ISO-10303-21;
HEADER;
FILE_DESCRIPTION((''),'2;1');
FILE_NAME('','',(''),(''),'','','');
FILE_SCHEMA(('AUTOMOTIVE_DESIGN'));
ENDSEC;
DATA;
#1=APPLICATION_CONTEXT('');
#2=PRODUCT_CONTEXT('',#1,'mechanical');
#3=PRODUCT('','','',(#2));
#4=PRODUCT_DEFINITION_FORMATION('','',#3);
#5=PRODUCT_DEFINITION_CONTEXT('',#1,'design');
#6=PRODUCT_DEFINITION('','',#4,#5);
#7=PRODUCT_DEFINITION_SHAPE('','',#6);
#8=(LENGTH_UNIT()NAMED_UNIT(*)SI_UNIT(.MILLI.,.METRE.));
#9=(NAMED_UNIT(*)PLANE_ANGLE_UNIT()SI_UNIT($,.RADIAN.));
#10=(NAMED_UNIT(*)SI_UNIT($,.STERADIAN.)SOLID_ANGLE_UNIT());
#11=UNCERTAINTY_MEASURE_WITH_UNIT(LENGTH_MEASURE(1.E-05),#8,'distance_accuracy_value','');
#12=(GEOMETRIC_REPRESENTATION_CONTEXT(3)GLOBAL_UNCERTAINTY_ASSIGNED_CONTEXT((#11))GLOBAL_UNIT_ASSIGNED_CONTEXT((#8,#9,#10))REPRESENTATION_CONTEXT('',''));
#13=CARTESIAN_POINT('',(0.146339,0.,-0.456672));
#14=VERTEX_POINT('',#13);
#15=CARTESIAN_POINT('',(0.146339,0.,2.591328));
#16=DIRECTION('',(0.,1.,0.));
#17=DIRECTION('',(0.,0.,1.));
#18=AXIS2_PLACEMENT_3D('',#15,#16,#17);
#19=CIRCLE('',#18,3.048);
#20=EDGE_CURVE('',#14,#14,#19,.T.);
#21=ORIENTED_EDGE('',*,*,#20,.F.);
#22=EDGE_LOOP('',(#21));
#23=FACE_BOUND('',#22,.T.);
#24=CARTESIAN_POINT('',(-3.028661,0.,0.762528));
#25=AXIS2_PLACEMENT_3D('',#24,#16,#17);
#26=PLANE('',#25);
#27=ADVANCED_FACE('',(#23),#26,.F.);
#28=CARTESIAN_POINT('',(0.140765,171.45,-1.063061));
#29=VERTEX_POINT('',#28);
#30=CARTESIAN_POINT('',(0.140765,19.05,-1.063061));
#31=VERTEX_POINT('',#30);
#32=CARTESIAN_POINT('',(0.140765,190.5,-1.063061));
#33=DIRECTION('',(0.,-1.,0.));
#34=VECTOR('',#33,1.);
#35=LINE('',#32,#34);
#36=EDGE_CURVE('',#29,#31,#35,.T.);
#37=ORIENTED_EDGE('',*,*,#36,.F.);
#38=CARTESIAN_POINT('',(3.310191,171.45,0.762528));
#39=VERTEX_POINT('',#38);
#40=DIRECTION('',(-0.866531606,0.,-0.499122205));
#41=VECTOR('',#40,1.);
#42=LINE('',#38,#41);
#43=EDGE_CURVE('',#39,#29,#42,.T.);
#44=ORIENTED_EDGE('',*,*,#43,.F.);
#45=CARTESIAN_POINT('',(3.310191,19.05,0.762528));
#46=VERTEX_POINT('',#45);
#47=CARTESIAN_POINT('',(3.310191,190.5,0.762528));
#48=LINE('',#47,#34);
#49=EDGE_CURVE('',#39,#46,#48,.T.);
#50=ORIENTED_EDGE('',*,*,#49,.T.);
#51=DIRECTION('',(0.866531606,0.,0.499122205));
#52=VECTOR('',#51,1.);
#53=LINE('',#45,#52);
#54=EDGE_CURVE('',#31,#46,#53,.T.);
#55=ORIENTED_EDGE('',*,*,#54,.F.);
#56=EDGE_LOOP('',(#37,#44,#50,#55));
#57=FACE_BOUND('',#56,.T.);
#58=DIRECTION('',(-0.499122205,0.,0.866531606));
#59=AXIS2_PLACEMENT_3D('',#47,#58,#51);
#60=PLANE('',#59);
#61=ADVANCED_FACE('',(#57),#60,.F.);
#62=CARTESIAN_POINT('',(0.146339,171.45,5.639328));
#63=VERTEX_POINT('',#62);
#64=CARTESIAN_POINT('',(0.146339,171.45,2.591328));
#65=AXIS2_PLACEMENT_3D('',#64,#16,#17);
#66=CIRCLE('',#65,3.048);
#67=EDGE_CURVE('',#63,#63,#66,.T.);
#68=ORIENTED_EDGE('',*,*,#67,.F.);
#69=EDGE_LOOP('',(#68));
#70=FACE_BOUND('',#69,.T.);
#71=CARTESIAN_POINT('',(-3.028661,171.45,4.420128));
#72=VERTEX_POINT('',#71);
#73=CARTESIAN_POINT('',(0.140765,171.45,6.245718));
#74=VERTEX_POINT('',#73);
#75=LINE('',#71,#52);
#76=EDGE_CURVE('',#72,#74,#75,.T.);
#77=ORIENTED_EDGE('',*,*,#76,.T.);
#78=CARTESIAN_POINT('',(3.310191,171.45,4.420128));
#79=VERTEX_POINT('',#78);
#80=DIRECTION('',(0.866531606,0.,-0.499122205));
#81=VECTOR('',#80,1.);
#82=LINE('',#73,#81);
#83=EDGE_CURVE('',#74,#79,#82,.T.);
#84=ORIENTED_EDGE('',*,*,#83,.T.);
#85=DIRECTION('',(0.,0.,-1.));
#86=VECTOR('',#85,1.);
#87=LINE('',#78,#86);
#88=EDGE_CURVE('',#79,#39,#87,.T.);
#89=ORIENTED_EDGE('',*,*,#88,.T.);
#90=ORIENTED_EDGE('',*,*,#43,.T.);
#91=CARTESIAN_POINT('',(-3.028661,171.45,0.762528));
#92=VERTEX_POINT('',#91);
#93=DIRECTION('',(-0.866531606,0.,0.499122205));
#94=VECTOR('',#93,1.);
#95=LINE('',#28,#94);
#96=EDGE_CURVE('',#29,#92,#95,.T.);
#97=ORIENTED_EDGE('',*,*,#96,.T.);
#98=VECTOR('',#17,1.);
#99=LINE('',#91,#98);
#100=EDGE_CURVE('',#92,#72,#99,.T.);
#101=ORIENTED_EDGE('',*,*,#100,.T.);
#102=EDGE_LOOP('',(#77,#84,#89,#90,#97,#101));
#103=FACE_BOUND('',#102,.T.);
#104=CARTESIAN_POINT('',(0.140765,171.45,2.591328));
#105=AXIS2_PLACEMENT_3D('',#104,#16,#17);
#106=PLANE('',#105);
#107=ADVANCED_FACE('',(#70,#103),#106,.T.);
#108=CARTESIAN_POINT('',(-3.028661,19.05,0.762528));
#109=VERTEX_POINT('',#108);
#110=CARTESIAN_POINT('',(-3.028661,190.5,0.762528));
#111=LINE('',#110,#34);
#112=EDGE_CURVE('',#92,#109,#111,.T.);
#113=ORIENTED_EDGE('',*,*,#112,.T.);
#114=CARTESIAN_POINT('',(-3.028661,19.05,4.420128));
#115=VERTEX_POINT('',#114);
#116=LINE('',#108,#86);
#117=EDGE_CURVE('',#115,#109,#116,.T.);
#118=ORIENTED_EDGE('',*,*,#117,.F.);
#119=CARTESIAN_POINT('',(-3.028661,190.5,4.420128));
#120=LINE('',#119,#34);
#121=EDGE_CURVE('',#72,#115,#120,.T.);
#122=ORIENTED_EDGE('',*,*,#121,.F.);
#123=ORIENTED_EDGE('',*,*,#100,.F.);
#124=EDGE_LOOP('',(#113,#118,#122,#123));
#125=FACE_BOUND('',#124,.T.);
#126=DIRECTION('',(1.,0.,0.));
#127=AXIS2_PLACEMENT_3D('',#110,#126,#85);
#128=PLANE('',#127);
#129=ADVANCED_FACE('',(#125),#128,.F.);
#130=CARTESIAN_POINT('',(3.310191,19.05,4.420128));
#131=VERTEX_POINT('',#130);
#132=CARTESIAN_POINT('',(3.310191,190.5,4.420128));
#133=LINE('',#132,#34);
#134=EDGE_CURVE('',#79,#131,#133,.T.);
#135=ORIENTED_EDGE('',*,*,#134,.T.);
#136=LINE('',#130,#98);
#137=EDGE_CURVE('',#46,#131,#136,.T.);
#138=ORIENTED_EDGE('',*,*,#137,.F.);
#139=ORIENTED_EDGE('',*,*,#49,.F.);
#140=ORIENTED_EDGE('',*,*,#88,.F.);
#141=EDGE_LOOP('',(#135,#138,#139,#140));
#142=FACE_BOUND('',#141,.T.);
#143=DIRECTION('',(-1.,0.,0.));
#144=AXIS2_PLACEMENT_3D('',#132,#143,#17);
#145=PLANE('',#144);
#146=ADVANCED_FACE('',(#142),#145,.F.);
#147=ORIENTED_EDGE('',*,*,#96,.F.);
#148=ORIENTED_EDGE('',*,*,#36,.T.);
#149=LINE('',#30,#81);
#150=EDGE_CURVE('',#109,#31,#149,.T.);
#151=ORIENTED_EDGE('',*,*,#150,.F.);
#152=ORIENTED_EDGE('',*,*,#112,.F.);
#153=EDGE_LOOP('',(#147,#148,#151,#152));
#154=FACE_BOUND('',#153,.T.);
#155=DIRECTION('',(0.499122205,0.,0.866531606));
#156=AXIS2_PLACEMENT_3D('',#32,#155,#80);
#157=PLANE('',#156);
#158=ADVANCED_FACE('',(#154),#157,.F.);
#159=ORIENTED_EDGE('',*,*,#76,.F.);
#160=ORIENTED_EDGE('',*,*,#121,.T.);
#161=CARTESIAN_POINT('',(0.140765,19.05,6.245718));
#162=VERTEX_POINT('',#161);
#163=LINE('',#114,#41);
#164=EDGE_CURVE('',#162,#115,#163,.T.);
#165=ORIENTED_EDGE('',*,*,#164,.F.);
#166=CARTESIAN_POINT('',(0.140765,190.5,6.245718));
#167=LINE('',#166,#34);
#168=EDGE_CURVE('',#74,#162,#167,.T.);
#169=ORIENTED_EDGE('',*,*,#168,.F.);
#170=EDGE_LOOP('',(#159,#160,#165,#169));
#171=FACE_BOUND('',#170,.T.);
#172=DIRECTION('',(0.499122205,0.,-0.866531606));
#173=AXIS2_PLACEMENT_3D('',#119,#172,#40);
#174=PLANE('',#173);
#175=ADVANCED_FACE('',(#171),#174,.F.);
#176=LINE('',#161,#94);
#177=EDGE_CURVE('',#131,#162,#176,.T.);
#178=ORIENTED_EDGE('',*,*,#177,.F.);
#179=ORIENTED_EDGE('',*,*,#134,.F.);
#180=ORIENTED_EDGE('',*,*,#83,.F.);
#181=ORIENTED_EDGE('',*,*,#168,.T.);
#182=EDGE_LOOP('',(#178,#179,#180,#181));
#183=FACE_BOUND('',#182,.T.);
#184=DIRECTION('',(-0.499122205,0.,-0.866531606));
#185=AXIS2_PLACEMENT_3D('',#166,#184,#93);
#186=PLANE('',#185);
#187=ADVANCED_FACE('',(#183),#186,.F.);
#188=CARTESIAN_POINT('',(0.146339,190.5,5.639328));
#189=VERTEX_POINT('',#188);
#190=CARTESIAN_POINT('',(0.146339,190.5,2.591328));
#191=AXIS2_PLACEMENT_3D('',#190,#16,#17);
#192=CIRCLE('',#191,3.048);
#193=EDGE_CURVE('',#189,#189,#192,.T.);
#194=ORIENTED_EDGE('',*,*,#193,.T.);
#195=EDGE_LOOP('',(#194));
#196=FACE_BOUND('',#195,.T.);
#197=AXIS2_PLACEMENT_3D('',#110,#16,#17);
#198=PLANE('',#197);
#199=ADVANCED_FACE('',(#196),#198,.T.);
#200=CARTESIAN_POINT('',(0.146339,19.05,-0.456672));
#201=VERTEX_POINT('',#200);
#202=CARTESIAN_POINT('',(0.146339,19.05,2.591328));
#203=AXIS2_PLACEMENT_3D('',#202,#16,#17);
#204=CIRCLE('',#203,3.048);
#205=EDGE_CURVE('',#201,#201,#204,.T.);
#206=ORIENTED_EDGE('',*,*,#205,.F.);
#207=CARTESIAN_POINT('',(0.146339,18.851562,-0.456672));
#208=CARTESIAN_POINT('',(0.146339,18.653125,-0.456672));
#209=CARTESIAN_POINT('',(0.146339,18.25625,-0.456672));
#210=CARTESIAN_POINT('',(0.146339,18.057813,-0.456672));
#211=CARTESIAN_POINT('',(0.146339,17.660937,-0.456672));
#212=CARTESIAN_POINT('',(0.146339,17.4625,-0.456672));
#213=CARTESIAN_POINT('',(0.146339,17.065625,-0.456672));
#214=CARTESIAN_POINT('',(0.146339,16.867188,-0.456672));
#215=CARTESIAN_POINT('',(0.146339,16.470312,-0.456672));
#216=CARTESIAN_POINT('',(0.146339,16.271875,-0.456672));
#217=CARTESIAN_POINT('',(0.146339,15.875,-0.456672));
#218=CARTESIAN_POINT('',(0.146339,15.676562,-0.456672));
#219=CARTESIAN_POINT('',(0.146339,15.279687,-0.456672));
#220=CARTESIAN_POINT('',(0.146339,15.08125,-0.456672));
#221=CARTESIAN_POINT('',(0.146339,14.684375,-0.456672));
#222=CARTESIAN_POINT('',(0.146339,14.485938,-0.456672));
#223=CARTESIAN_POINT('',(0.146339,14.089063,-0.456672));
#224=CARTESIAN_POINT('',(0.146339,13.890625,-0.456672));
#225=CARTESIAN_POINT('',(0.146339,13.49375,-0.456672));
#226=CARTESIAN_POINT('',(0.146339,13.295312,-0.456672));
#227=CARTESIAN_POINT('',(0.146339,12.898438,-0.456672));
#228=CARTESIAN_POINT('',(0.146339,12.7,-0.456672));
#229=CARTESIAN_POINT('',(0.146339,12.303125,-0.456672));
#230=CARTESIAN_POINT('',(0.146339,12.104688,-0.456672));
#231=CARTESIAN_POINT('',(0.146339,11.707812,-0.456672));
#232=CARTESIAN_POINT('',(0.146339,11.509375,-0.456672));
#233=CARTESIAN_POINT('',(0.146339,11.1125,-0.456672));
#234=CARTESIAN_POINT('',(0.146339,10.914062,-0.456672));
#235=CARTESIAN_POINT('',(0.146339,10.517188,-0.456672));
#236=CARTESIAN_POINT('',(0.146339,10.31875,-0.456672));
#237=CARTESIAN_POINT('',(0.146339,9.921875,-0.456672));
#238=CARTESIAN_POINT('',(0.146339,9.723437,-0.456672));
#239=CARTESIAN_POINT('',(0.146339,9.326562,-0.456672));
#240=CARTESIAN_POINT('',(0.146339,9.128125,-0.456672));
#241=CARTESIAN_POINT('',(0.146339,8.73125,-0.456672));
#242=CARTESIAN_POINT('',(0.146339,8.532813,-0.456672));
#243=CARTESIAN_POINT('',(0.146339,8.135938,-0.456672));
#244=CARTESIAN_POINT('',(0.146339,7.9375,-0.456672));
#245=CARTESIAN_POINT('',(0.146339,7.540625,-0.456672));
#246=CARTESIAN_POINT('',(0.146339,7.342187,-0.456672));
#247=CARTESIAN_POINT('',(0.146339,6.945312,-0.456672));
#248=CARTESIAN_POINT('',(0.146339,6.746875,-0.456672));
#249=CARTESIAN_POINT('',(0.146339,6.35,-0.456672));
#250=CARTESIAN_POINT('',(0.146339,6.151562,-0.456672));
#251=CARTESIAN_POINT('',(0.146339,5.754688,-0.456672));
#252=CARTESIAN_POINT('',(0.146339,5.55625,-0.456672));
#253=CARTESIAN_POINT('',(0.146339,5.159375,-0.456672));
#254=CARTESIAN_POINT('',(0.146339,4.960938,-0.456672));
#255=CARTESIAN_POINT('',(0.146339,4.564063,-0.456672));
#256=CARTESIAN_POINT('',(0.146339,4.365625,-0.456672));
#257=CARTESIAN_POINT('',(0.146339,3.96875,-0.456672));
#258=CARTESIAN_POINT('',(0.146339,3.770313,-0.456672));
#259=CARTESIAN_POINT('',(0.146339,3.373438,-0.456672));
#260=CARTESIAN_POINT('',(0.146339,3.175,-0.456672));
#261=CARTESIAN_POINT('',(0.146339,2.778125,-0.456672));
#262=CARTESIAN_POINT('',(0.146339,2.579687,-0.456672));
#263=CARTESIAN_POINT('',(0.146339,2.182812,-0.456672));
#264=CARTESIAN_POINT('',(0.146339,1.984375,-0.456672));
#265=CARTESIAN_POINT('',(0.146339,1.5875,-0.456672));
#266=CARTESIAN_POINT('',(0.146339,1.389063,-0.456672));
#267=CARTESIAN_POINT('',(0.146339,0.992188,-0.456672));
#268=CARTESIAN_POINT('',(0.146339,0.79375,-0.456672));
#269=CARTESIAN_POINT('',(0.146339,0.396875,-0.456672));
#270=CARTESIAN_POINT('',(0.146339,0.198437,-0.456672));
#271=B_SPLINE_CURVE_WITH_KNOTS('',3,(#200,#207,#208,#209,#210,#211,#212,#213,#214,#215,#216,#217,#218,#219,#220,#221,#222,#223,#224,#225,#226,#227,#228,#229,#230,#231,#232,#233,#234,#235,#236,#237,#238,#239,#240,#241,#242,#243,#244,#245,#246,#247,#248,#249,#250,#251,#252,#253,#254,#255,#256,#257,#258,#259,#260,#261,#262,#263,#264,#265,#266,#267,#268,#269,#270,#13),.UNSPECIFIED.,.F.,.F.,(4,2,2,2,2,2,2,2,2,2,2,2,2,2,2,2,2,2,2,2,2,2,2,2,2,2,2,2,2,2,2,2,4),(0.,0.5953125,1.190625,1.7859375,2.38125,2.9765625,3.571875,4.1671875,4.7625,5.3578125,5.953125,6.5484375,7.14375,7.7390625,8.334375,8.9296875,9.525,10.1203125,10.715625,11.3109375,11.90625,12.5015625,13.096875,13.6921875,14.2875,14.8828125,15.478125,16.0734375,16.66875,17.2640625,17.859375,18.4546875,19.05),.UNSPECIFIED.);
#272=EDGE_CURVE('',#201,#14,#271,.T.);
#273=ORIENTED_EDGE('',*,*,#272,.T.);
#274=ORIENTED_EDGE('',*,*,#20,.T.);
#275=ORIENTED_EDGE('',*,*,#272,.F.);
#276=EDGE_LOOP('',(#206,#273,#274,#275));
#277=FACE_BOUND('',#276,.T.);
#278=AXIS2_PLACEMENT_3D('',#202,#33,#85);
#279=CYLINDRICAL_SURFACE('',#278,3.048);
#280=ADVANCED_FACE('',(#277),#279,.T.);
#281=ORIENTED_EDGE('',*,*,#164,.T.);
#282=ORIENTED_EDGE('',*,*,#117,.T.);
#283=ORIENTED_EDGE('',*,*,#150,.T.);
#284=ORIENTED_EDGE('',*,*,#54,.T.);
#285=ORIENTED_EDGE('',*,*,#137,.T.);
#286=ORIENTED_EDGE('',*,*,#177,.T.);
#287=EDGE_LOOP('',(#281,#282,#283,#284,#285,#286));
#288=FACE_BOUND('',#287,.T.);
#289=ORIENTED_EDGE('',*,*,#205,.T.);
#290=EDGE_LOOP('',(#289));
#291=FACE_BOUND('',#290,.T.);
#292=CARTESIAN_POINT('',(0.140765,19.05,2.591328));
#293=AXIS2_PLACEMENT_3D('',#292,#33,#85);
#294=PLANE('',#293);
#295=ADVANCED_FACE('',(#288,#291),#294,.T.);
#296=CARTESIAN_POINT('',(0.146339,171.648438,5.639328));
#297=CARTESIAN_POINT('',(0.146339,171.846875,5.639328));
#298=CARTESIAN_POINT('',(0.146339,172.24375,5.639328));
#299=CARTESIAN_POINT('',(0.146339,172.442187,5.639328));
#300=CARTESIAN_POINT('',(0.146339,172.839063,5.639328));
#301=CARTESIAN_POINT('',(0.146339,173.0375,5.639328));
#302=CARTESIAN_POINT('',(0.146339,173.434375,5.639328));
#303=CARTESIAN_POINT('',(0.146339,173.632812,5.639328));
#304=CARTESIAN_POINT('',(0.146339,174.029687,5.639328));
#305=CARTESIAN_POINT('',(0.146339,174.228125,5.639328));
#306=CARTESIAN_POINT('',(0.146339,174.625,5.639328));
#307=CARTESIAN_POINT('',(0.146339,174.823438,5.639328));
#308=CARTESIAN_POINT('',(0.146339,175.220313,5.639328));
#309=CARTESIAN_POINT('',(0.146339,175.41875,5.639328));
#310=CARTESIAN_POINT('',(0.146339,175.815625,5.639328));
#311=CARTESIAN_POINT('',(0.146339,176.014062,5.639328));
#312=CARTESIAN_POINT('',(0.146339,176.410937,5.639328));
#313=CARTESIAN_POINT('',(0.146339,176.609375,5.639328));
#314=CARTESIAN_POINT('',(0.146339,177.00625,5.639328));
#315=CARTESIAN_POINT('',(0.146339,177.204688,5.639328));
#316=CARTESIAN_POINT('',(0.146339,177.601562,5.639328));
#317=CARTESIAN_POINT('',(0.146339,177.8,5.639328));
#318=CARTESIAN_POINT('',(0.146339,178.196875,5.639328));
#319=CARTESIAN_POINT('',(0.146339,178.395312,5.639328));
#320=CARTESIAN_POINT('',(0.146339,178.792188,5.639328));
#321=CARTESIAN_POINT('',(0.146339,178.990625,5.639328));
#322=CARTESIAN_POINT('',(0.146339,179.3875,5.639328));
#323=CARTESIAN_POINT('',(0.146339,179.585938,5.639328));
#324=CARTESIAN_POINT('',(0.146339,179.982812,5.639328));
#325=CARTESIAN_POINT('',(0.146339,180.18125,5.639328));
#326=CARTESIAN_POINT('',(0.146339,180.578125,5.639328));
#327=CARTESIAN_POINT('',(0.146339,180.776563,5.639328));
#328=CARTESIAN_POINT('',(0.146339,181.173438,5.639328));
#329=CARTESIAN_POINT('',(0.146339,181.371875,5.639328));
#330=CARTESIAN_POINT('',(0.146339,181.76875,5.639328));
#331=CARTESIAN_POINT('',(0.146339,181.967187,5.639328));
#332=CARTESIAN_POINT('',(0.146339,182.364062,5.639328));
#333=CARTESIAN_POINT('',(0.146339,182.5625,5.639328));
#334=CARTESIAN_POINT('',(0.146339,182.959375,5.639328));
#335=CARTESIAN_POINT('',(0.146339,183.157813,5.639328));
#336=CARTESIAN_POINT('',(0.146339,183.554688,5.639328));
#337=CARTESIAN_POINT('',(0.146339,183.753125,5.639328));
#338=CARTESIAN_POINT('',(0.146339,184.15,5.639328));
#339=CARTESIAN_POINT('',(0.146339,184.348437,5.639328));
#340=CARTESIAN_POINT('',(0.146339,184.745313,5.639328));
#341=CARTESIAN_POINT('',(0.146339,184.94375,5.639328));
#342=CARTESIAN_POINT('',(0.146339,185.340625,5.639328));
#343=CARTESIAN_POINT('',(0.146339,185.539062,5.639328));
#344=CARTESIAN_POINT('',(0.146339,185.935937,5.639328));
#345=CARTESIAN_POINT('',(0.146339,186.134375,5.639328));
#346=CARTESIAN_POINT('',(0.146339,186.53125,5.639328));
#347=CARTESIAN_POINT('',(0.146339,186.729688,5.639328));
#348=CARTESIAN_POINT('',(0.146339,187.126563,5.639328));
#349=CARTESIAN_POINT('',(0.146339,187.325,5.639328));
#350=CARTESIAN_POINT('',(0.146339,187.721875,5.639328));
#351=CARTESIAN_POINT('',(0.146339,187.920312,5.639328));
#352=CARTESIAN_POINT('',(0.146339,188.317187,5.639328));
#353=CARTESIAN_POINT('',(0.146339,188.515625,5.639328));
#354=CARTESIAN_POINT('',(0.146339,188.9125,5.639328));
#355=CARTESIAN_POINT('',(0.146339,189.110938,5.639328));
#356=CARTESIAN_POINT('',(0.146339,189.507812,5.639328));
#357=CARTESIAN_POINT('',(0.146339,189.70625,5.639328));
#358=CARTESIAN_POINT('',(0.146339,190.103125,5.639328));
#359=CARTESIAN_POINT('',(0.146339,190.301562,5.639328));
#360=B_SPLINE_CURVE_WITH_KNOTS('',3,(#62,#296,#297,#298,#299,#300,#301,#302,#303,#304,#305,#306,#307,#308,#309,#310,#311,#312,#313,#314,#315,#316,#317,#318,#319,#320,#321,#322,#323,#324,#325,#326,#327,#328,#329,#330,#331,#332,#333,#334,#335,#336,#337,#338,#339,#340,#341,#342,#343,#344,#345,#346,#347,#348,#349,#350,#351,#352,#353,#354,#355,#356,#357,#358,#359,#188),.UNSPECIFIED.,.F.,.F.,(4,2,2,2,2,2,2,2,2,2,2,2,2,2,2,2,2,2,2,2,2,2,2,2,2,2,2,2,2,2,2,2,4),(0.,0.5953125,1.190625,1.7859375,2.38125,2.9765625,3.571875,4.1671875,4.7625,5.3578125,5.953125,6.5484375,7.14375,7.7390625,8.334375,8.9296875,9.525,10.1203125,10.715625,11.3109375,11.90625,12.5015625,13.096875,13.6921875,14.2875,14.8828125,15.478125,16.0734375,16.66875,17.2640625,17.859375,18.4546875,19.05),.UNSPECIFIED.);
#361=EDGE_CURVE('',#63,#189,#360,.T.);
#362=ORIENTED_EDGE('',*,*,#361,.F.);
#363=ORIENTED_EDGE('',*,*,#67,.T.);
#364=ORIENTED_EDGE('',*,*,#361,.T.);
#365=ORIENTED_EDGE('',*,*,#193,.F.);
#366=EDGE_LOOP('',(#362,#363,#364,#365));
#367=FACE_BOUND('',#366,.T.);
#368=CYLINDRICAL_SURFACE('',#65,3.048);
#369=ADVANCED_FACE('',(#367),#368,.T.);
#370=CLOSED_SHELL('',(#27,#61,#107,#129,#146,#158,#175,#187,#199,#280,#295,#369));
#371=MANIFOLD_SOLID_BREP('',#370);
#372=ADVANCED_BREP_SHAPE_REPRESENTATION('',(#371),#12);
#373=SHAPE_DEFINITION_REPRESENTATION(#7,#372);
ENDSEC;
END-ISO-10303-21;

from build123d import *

# Parameters (mm, degrees)
BOSS_EXTRUDE1_DEPTH = 190.5
SKETCH2_OUTSIDE_W   = 46.489
SKETCH2_OUTSIDE_H   = 47.459
SKETCH2_OUTSIDE_R   = 3.048
CUT_EXTRUDE1_DEPTH  = 19.05


with BuildPart() as part:
    # Sketch1 → Boss-Extrude1 (new body)
    with BuildSketch(Plane(origin=(0, 0, 0), x_dir=(1, 0, 0), z_dir=(0, 1, 0))):
        Polygon((3.310191022, -4.420128359), (3.310191022, -0.762528359), (0.140765019, 1.063061018), (-3.028660983, -0.762528359), (-3.028660983, -4.420128359), (0.140765019, -6.245717737), align=None)
    extrude(amount=BOSS_EXTRUDE1_DEPTH)

    # Sketch2 outside → Cut-Extrude1 (cut)
    with BuildSketch(Plane(origin=(0, 190.5, 0), x_dir=(1, 0, 0), z_dir=(0, 1, 0))):
        with Locations((0.1405, -2.5915)):
            Rectangle(SKETCH2_OUTSIDE_W, SKETCH2_OUTSIDE_H)
        with Locations(Location((0.146339017, -2.591328359, 0), (0, 0, 270))):
            Circle(SKETCH2_OUTSIDE_R, mode=Mode.SUBTRACT)
    cut_extrude1 = extrude(amount=-CUT_EXTRUDE1_DEPTH, mode=Mode.SUBTRACT)

    # Mirror1: Cut-Extrude1 across plane
    add(cut_extrude1.mirror(Plane.ZX.offset(95.25)), mode=Mode.SUBTRACT)


solid = part.part
